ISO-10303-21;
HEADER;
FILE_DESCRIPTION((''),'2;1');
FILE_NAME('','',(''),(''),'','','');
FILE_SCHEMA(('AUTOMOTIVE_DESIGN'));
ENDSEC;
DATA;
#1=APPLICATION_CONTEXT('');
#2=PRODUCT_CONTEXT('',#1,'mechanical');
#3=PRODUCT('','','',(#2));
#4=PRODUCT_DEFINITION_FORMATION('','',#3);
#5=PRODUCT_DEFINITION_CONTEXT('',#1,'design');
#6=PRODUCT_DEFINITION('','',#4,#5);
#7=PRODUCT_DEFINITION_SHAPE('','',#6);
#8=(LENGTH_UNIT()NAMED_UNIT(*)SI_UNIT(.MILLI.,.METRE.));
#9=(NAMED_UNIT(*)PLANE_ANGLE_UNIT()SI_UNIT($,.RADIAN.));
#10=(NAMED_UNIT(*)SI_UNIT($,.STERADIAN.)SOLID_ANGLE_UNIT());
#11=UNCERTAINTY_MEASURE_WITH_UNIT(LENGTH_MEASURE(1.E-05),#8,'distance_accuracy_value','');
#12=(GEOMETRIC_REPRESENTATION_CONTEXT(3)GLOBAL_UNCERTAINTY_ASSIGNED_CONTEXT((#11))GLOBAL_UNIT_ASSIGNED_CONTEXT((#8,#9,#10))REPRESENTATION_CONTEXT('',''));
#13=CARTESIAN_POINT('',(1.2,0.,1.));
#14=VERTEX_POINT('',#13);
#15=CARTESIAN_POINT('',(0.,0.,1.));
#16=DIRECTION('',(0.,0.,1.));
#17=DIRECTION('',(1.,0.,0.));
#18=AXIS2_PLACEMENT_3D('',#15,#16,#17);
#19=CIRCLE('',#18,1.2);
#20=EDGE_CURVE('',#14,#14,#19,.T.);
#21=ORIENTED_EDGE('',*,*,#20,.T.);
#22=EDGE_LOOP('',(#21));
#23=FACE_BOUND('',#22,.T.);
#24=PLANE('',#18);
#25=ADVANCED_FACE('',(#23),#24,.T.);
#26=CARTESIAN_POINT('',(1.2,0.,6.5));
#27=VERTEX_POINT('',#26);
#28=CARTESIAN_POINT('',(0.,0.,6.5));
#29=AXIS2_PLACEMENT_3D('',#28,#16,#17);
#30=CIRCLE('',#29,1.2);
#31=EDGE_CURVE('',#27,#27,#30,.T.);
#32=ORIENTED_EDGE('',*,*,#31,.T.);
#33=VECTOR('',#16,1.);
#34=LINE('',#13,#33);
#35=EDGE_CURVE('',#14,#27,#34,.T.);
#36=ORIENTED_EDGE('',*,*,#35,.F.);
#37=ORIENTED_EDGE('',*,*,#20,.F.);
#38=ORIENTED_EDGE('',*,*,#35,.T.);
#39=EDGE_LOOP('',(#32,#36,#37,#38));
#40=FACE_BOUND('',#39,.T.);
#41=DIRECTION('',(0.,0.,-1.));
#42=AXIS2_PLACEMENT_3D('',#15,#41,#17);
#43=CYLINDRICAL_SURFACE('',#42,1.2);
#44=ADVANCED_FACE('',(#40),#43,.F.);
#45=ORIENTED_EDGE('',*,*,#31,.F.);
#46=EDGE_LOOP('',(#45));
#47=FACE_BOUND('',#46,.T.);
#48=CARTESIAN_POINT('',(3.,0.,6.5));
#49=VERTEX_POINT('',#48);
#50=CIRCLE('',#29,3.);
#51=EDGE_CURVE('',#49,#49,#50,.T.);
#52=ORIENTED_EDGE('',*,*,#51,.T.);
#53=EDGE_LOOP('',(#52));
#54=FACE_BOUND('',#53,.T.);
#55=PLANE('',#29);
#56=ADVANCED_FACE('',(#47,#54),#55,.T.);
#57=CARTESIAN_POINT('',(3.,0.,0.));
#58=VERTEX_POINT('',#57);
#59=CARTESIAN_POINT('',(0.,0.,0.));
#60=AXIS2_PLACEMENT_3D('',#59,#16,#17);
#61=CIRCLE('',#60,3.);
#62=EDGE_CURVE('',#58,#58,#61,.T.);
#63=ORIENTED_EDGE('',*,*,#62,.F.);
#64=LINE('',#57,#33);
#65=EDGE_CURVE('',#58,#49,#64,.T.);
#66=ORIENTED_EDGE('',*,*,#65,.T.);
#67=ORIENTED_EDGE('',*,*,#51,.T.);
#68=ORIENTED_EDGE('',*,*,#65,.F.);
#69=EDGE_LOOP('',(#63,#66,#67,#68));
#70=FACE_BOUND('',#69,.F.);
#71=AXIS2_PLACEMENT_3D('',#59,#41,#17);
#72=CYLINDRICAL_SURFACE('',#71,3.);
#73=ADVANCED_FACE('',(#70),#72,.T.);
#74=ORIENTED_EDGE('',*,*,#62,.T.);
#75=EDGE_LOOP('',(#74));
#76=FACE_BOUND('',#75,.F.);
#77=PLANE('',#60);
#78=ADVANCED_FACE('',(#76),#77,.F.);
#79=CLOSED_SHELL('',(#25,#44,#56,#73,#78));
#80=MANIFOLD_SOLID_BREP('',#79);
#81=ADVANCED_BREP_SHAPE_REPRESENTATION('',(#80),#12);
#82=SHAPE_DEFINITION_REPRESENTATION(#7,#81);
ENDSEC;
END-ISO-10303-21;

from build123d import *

# Parameters (mm, degrees)
CYLINDER015_R     = 1.2
CYLINDER015_DEPTH = 5.5
CYLINDER016_R     = 3
CYLINDER016_DEPTH = 6.5


with BuildPart() as schroefgat001:
    # Cylinder015 → Cylinder015 (new body)
    with BuildSketch(Plane.XY.offset(1)):
        Circle(CYLINDER015_R)
    extrude(amount=CYLINDER015_DEPTH)


with BuildPart() as mal_bus_pcb:
    # Cylinder016 → Cylinder016 (new body)
    with BuildSketch(Plane.XY):
        Circle(CYLINDER016_R)
    extrude(amount=CYLINDER016_DEPTH)

    # Cut005: cut Schroefgat001
    add(schroefgat001.part, mode=Mode.SUBTRACT)


solid = mal_bus_pcb.part
